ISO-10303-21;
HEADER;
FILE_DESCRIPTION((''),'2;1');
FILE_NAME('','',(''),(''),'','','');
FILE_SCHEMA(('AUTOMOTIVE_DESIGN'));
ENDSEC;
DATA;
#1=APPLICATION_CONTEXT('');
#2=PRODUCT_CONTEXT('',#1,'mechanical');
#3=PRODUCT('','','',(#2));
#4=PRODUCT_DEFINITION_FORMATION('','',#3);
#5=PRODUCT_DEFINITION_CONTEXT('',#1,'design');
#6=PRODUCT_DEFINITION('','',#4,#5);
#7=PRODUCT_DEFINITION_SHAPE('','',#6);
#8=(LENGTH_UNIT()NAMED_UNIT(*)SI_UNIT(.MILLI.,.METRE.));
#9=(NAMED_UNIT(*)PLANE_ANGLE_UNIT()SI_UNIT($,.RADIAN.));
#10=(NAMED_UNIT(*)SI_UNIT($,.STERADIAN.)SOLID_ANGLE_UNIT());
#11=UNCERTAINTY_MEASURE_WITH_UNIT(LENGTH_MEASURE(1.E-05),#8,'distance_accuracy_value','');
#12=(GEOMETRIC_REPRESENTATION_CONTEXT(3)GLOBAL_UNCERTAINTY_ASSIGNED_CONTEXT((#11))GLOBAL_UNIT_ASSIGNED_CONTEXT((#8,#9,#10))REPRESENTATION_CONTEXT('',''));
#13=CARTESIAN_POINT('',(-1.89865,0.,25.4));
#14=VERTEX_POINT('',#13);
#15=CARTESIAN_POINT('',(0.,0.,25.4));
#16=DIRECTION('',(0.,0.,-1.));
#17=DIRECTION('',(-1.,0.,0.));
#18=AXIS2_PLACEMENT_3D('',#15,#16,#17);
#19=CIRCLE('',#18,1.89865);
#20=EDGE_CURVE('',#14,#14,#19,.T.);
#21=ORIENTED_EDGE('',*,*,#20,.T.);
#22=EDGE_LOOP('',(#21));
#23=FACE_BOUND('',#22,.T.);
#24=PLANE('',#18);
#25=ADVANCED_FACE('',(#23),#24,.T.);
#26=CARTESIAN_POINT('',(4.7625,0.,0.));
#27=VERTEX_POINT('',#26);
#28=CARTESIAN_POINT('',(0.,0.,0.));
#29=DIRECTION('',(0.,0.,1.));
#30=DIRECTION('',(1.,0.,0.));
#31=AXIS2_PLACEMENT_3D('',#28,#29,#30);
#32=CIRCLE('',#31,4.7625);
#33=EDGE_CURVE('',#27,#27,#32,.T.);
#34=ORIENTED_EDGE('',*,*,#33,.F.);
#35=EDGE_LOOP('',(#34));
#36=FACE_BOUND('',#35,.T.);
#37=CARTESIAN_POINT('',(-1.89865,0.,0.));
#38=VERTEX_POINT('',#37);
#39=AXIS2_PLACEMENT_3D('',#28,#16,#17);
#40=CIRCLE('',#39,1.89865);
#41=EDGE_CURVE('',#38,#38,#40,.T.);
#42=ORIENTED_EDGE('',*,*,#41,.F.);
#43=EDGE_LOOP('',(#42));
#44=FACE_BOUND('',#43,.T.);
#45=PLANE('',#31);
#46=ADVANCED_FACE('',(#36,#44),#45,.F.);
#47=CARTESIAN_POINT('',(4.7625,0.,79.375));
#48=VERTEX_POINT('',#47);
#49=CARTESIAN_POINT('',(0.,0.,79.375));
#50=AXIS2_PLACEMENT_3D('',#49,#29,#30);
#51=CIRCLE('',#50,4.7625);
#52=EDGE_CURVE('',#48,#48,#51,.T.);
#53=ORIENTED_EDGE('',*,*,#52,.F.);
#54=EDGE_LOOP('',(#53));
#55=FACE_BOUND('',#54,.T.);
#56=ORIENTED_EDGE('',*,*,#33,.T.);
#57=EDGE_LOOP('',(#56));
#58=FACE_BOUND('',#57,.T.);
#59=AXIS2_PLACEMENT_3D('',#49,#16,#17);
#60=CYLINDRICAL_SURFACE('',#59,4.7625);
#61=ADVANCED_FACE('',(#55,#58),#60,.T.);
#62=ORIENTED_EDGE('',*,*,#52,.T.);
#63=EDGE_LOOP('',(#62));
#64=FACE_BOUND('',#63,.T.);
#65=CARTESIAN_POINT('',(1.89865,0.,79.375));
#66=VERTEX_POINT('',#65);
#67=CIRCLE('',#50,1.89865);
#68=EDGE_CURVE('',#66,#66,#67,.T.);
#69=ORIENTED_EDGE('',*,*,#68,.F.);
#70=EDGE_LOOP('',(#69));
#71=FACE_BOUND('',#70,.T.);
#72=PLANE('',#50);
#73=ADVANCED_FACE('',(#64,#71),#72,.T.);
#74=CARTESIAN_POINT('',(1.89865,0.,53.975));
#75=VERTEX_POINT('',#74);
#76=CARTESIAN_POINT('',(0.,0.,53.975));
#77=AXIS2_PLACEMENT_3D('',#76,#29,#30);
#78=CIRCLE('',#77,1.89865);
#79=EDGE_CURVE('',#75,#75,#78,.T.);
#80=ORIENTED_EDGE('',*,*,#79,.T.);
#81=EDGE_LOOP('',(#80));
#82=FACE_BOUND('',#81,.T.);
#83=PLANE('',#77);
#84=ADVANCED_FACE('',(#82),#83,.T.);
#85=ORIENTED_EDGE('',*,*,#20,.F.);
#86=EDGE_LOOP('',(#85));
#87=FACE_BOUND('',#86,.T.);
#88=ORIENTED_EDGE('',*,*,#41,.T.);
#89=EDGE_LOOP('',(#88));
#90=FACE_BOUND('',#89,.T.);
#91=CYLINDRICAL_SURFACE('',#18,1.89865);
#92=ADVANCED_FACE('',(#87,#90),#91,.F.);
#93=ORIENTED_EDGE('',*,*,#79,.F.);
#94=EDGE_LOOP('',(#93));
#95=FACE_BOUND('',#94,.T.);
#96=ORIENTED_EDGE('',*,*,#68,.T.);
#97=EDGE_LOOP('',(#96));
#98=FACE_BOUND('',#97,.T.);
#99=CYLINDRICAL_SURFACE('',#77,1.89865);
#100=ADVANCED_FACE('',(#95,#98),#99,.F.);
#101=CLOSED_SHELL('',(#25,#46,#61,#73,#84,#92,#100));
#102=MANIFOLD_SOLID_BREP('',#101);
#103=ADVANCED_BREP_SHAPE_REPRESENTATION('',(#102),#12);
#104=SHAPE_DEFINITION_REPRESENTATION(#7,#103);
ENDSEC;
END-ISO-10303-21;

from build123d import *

# Parameters (mm, degrees)
SKETCH1_R           = 4.7625
BOSS_EXTRUDE1_DEPTH = 79.375
SKETCH2_R           = 1.89865
CUT_EXTRUDE1_DEPTH  = 25.4
SKETCH3_R           = 1.89865
CUT_EXTRUDE2_DEPTH  = 25.4


with BuildPart() as part:
    # Sketch1 → Boss-Extrude1 (new body)
    with BuildSketch(Plane.XY):
        Circle(SKETCH1_R)
    extrude(amount=BOSS_EXTRUDE1_DEPTH)

    # Sketch2 → Cut-Extrude1 (cut)
    with BuildSketch(Plane.XY.offset(79.375)):
        Circle(SKETCH2_R)
    extrude(amount=-CUT_EXTRUDE1_DEPTH, mode=Mode.SUBTRACT)

    # Sketch3 → Cut-Extrude2 (cut)
    with BuildSketch(Plane(origin=(0, 0, 0), x_dir=(-1, 0, 0), z_dir=(0, 0, -1))):
        Circle(SKETCH3_R)
    extrude(amount=-CUT_EXTRUDE2_DEPTH, mode=Mode.SUBTRACT)


solid = part.part
